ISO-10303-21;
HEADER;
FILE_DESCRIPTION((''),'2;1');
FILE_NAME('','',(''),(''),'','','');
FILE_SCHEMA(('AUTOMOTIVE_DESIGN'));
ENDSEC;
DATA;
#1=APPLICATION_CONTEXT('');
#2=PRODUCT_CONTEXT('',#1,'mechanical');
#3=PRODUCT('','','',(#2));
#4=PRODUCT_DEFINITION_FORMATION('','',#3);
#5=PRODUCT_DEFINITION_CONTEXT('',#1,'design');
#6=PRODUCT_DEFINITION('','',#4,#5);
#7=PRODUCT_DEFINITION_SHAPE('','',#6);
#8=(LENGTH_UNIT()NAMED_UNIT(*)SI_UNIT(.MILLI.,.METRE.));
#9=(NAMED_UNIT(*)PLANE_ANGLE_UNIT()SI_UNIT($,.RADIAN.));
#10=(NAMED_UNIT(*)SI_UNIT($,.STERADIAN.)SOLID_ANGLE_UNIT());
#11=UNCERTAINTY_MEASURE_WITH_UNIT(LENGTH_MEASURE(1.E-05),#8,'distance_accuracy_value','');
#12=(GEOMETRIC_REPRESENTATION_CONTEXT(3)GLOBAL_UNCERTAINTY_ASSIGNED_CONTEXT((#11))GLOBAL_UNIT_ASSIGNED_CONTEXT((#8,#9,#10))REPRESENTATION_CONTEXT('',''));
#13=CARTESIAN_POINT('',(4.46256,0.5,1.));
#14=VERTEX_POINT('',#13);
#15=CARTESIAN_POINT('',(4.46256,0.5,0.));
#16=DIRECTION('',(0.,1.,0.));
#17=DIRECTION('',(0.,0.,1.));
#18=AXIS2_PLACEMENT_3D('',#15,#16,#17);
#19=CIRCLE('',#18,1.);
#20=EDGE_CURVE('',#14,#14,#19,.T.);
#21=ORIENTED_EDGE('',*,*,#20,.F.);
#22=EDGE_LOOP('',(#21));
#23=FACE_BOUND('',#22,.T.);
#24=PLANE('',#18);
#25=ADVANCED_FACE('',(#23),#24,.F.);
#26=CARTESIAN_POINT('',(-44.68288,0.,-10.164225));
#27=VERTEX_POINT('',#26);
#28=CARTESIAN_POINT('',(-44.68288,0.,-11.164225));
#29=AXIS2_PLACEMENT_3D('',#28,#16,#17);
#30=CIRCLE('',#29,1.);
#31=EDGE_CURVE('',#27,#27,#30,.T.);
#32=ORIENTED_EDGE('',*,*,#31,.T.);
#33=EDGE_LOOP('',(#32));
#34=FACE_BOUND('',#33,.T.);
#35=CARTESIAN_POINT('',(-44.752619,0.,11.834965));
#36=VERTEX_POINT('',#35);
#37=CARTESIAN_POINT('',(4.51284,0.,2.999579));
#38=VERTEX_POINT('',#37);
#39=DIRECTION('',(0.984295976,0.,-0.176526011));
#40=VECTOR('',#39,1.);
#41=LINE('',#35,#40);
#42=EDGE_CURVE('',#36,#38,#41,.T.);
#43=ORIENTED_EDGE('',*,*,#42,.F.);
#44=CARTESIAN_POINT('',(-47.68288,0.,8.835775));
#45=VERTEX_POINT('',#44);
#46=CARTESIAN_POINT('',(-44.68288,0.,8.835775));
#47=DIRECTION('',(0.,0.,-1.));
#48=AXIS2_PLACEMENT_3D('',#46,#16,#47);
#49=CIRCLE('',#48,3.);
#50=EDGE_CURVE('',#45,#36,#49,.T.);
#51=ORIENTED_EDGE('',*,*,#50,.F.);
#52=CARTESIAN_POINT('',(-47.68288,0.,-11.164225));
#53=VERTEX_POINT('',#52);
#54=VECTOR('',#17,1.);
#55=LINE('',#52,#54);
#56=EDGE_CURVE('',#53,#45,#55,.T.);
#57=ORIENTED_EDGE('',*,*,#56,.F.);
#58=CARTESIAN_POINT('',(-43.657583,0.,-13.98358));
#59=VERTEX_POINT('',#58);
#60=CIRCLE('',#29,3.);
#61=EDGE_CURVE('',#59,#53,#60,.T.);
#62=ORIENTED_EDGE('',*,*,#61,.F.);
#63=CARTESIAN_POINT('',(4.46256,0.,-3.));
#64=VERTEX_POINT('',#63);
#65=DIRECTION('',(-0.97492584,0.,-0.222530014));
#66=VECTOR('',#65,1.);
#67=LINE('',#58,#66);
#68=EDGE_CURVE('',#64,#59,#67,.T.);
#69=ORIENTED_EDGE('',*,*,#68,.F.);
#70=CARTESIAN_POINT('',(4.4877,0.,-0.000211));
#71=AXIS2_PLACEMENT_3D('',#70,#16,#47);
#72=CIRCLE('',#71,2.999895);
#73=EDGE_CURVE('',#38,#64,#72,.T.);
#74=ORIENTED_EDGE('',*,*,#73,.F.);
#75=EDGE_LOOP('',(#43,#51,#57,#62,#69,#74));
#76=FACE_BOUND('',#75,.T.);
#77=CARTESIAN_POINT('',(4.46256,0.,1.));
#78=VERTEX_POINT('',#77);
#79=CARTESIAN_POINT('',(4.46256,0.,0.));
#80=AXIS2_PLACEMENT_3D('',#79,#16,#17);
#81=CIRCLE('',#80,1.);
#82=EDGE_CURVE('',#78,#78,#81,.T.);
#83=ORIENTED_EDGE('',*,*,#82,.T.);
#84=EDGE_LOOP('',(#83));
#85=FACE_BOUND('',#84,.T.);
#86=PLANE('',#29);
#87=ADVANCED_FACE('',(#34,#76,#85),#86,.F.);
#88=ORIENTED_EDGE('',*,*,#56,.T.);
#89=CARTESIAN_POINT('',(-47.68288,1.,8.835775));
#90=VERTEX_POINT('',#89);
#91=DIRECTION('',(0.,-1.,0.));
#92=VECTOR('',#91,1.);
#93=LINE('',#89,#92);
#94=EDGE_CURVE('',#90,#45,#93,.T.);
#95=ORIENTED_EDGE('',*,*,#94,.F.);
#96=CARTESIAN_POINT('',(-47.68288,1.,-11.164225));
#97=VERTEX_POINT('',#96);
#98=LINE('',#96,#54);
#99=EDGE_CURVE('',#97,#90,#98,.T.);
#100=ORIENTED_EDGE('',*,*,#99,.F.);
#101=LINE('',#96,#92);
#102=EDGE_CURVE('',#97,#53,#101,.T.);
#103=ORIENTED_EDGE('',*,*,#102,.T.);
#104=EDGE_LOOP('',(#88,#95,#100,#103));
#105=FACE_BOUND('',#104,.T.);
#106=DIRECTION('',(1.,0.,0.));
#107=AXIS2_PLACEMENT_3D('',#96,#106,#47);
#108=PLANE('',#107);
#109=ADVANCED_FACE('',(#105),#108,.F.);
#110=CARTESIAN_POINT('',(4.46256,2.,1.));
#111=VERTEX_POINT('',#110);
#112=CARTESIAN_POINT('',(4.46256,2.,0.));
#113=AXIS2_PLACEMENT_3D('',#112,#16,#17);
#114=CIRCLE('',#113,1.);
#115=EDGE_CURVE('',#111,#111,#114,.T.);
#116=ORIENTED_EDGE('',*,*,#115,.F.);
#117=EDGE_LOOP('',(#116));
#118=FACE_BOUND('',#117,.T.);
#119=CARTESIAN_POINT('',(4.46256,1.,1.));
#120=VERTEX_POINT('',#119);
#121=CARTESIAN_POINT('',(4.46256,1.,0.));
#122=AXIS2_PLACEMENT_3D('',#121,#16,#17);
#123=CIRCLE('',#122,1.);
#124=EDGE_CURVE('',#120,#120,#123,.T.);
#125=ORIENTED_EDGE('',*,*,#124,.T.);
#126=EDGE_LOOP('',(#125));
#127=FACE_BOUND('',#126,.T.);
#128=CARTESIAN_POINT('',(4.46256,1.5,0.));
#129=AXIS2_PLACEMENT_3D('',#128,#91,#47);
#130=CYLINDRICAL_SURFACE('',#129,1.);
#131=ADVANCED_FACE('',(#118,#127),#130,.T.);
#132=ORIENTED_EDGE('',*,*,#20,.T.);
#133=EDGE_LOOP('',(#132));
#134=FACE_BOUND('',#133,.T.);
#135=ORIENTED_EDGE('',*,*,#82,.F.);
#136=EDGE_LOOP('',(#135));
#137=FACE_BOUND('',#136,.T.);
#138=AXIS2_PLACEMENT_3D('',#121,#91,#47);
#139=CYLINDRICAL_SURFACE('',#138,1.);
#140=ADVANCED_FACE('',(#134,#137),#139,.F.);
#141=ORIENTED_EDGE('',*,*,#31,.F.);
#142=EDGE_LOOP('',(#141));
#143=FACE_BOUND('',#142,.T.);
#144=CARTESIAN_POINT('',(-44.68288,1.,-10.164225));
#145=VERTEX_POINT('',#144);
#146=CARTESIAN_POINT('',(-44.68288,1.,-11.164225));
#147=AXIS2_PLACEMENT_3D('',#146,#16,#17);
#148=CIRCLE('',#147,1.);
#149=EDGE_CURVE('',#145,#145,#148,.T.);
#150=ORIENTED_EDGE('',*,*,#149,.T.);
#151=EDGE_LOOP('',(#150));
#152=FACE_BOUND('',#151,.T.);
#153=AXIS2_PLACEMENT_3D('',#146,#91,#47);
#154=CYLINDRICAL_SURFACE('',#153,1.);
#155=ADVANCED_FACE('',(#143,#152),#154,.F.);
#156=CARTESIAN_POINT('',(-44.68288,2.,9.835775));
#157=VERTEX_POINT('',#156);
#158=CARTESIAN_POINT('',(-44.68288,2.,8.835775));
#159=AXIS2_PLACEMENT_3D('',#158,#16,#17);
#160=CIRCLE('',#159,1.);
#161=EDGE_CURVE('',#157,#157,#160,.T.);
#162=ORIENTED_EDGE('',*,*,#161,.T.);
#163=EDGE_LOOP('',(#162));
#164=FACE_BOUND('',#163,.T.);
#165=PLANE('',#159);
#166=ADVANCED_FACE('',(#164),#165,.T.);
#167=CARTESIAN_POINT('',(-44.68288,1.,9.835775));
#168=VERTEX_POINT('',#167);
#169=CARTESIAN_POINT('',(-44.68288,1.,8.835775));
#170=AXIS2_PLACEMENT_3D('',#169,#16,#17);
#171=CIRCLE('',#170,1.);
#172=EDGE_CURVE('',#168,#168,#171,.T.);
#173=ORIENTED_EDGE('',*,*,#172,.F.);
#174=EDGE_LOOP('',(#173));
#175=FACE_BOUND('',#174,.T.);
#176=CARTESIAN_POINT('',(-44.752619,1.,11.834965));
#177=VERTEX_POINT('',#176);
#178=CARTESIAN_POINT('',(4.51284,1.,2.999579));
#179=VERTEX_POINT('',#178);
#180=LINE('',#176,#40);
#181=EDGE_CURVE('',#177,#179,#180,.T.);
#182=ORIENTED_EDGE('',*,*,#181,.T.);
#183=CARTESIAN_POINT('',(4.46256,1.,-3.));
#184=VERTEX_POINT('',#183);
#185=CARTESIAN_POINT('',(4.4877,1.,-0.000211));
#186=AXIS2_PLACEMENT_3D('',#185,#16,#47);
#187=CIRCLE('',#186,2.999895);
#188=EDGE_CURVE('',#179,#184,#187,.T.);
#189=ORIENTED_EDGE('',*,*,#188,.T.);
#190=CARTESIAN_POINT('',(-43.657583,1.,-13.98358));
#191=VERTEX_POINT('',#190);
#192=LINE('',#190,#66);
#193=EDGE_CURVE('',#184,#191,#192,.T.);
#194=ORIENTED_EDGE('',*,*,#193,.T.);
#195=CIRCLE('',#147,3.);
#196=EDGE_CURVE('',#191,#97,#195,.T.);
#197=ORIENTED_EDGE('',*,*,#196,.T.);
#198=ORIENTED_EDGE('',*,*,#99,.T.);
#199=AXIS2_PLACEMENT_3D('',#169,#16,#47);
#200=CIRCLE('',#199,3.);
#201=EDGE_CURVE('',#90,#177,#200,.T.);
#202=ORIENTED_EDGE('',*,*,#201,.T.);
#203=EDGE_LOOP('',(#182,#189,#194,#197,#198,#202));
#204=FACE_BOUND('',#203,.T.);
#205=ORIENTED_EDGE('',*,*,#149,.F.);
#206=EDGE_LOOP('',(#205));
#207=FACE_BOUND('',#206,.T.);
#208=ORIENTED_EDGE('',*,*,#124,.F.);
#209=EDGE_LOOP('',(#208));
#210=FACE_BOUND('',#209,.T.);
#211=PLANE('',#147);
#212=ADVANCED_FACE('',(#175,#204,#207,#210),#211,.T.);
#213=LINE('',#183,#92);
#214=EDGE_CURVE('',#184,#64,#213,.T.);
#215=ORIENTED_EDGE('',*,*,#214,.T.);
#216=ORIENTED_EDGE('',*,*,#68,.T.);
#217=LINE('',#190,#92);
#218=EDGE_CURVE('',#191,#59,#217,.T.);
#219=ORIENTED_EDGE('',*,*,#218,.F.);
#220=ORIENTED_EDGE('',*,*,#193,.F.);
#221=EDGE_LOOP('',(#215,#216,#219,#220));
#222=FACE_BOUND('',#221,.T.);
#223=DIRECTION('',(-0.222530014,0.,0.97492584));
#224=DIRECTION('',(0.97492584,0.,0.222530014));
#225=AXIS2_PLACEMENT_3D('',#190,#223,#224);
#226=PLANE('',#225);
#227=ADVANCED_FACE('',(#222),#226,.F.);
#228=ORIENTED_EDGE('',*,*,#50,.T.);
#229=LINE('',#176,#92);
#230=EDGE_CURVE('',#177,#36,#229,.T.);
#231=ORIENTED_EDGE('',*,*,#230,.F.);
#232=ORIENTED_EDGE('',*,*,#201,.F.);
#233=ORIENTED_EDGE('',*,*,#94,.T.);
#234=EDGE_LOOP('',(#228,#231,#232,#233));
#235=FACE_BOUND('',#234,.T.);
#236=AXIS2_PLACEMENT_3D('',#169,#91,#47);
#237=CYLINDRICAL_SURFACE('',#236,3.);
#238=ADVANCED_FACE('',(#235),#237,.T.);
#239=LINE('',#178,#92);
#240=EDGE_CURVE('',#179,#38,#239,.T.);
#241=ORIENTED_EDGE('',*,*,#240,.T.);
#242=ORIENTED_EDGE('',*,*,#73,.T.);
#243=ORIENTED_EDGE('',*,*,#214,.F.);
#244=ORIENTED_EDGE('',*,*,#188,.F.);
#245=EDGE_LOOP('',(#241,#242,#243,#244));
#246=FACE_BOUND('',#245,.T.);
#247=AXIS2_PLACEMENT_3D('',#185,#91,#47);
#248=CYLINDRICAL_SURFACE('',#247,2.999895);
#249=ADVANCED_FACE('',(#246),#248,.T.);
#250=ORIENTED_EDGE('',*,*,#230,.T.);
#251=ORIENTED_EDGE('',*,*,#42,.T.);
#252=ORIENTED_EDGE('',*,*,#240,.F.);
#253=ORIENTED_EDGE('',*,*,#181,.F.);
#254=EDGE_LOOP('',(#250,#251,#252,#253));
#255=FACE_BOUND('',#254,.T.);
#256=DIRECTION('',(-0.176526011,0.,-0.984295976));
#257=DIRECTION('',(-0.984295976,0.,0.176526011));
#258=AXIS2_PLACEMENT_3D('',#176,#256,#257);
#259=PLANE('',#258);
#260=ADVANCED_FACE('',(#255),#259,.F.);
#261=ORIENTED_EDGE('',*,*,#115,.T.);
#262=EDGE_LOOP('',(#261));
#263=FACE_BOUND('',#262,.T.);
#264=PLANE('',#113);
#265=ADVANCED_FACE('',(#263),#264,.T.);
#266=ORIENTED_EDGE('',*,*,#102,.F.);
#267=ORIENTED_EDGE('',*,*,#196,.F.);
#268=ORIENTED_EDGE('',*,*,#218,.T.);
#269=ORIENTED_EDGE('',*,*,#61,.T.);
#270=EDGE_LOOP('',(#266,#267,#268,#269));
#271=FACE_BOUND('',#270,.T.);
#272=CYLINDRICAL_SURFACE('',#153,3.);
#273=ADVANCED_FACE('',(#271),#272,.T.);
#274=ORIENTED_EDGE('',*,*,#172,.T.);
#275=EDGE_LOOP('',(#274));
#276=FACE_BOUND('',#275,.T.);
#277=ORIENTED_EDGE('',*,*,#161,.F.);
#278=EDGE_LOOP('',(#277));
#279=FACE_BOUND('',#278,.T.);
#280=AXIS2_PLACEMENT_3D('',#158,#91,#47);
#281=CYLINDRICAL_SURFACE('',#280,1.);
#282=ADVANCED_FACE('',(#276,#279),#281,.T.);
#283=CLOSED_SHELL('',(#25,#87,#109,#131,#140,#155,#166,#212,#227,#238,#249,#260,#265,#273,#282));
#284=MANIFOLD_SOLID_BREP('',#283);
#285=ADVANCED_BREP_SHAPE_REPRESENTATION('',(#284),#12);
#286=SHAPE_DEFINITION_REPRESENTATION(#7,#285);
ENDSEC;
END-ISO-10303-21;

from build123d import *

# Parameters (mm, degrees)
SKETCH1_R           = 1
BOSS_EXTRUDE5_DEPTH = 1
SKETCH3_R           = 1
BOSS_EXTRUDE6_DEPTH = 0.5
SKETCH5_R           = 1
BOSS_EXTRUDE8_DEPTH = 1
SKETCH6_R           = 1
BOSS_EXTRUDE9_DEPTH = 1


with BuildPart() as part:
    # Sketch1 → Boss-Extrude5 (new body)
    with BuildSketch(Plane(origin=(0, 0, 0), x_dir=(1, 0, 0), z_dir=(0, 1, 0))):
        with BuildLine():
            Line((-47.682880055, 11.164224632), (-47.682880055, -8.835775368))
            ThreePointArc((-47.682880055, -8.835775368), (-46.828715239, -10.932294236), (-44.752619147, -11.834964669))
            Line((-44.752619147, -11.834964669), (4.512839673, -2.999578636))
            ThreePointArc((4.512839673, -2.999578636), (7.487489348, 0.025350325), (4.462560387, 3))
            Line((4.462560387, 3), (-43.657583095, 13.983580257))
            ThreePointArc((-43.657583095, 13.983580257), (-46.403942099, 13.621447747), (-47.682880055, 11.164224632))
        make_face()
        with Locations((-44.682880055, 11.164224632)):
            Circle(SKETCH1_R, mode=Mode.SUBTRACT)
        with Locations((-44.682880055, -8.835775368)):
            Circle(SKETCH1_R, mode=Mode.SUBTRACT)
        with Locations((4.462560387, 0)):
            Circle(SKETCH1_R, mode=Mode.SUBTRACT)
    extrude(amount=BOSS_EXTRUDE5_DEPTH)

    # Sketch3 → Boss-Extrude6 (add, symmetric)
    with BuildSketch(Plane(origin=(0, 1, 0), x_dir=(1, 0, 0), z_dir=(0, 1, 0))):
        with Locations((4.462560387, 0)):
            Circle(SKETCH3_R)
    extrude(amount=BOSS_EXTRUDE6_DEPTH, both=True)

    # Sketch5 → Boss-Extrude8 (add)
    with BuildSketch(Plane(origin=(0, 1, 0), x_dir=(1, 0, 0), z_dir=(0, 1, 0))):
        with Locations((4.462560387, 0)):
            Circle(SKETCH5_R)
    extrude(amount=BOSS_EXTRUDE8_DEPTH)

    # Sketch6 → Boss-Extrude9 (add, symmetric)
    with BuildSketch(Plane(origin=(0, 1, 0), x_dir=(1, 0, 0), z_dir=(0, 1, 0))):
        with Locations((-44.682880055, -8.835775368)):
            Circle(SKETCH6_R)
    extrude(amount=BOSS_EXTRUDE9_DEPTH, both=True)


solid = part.part
